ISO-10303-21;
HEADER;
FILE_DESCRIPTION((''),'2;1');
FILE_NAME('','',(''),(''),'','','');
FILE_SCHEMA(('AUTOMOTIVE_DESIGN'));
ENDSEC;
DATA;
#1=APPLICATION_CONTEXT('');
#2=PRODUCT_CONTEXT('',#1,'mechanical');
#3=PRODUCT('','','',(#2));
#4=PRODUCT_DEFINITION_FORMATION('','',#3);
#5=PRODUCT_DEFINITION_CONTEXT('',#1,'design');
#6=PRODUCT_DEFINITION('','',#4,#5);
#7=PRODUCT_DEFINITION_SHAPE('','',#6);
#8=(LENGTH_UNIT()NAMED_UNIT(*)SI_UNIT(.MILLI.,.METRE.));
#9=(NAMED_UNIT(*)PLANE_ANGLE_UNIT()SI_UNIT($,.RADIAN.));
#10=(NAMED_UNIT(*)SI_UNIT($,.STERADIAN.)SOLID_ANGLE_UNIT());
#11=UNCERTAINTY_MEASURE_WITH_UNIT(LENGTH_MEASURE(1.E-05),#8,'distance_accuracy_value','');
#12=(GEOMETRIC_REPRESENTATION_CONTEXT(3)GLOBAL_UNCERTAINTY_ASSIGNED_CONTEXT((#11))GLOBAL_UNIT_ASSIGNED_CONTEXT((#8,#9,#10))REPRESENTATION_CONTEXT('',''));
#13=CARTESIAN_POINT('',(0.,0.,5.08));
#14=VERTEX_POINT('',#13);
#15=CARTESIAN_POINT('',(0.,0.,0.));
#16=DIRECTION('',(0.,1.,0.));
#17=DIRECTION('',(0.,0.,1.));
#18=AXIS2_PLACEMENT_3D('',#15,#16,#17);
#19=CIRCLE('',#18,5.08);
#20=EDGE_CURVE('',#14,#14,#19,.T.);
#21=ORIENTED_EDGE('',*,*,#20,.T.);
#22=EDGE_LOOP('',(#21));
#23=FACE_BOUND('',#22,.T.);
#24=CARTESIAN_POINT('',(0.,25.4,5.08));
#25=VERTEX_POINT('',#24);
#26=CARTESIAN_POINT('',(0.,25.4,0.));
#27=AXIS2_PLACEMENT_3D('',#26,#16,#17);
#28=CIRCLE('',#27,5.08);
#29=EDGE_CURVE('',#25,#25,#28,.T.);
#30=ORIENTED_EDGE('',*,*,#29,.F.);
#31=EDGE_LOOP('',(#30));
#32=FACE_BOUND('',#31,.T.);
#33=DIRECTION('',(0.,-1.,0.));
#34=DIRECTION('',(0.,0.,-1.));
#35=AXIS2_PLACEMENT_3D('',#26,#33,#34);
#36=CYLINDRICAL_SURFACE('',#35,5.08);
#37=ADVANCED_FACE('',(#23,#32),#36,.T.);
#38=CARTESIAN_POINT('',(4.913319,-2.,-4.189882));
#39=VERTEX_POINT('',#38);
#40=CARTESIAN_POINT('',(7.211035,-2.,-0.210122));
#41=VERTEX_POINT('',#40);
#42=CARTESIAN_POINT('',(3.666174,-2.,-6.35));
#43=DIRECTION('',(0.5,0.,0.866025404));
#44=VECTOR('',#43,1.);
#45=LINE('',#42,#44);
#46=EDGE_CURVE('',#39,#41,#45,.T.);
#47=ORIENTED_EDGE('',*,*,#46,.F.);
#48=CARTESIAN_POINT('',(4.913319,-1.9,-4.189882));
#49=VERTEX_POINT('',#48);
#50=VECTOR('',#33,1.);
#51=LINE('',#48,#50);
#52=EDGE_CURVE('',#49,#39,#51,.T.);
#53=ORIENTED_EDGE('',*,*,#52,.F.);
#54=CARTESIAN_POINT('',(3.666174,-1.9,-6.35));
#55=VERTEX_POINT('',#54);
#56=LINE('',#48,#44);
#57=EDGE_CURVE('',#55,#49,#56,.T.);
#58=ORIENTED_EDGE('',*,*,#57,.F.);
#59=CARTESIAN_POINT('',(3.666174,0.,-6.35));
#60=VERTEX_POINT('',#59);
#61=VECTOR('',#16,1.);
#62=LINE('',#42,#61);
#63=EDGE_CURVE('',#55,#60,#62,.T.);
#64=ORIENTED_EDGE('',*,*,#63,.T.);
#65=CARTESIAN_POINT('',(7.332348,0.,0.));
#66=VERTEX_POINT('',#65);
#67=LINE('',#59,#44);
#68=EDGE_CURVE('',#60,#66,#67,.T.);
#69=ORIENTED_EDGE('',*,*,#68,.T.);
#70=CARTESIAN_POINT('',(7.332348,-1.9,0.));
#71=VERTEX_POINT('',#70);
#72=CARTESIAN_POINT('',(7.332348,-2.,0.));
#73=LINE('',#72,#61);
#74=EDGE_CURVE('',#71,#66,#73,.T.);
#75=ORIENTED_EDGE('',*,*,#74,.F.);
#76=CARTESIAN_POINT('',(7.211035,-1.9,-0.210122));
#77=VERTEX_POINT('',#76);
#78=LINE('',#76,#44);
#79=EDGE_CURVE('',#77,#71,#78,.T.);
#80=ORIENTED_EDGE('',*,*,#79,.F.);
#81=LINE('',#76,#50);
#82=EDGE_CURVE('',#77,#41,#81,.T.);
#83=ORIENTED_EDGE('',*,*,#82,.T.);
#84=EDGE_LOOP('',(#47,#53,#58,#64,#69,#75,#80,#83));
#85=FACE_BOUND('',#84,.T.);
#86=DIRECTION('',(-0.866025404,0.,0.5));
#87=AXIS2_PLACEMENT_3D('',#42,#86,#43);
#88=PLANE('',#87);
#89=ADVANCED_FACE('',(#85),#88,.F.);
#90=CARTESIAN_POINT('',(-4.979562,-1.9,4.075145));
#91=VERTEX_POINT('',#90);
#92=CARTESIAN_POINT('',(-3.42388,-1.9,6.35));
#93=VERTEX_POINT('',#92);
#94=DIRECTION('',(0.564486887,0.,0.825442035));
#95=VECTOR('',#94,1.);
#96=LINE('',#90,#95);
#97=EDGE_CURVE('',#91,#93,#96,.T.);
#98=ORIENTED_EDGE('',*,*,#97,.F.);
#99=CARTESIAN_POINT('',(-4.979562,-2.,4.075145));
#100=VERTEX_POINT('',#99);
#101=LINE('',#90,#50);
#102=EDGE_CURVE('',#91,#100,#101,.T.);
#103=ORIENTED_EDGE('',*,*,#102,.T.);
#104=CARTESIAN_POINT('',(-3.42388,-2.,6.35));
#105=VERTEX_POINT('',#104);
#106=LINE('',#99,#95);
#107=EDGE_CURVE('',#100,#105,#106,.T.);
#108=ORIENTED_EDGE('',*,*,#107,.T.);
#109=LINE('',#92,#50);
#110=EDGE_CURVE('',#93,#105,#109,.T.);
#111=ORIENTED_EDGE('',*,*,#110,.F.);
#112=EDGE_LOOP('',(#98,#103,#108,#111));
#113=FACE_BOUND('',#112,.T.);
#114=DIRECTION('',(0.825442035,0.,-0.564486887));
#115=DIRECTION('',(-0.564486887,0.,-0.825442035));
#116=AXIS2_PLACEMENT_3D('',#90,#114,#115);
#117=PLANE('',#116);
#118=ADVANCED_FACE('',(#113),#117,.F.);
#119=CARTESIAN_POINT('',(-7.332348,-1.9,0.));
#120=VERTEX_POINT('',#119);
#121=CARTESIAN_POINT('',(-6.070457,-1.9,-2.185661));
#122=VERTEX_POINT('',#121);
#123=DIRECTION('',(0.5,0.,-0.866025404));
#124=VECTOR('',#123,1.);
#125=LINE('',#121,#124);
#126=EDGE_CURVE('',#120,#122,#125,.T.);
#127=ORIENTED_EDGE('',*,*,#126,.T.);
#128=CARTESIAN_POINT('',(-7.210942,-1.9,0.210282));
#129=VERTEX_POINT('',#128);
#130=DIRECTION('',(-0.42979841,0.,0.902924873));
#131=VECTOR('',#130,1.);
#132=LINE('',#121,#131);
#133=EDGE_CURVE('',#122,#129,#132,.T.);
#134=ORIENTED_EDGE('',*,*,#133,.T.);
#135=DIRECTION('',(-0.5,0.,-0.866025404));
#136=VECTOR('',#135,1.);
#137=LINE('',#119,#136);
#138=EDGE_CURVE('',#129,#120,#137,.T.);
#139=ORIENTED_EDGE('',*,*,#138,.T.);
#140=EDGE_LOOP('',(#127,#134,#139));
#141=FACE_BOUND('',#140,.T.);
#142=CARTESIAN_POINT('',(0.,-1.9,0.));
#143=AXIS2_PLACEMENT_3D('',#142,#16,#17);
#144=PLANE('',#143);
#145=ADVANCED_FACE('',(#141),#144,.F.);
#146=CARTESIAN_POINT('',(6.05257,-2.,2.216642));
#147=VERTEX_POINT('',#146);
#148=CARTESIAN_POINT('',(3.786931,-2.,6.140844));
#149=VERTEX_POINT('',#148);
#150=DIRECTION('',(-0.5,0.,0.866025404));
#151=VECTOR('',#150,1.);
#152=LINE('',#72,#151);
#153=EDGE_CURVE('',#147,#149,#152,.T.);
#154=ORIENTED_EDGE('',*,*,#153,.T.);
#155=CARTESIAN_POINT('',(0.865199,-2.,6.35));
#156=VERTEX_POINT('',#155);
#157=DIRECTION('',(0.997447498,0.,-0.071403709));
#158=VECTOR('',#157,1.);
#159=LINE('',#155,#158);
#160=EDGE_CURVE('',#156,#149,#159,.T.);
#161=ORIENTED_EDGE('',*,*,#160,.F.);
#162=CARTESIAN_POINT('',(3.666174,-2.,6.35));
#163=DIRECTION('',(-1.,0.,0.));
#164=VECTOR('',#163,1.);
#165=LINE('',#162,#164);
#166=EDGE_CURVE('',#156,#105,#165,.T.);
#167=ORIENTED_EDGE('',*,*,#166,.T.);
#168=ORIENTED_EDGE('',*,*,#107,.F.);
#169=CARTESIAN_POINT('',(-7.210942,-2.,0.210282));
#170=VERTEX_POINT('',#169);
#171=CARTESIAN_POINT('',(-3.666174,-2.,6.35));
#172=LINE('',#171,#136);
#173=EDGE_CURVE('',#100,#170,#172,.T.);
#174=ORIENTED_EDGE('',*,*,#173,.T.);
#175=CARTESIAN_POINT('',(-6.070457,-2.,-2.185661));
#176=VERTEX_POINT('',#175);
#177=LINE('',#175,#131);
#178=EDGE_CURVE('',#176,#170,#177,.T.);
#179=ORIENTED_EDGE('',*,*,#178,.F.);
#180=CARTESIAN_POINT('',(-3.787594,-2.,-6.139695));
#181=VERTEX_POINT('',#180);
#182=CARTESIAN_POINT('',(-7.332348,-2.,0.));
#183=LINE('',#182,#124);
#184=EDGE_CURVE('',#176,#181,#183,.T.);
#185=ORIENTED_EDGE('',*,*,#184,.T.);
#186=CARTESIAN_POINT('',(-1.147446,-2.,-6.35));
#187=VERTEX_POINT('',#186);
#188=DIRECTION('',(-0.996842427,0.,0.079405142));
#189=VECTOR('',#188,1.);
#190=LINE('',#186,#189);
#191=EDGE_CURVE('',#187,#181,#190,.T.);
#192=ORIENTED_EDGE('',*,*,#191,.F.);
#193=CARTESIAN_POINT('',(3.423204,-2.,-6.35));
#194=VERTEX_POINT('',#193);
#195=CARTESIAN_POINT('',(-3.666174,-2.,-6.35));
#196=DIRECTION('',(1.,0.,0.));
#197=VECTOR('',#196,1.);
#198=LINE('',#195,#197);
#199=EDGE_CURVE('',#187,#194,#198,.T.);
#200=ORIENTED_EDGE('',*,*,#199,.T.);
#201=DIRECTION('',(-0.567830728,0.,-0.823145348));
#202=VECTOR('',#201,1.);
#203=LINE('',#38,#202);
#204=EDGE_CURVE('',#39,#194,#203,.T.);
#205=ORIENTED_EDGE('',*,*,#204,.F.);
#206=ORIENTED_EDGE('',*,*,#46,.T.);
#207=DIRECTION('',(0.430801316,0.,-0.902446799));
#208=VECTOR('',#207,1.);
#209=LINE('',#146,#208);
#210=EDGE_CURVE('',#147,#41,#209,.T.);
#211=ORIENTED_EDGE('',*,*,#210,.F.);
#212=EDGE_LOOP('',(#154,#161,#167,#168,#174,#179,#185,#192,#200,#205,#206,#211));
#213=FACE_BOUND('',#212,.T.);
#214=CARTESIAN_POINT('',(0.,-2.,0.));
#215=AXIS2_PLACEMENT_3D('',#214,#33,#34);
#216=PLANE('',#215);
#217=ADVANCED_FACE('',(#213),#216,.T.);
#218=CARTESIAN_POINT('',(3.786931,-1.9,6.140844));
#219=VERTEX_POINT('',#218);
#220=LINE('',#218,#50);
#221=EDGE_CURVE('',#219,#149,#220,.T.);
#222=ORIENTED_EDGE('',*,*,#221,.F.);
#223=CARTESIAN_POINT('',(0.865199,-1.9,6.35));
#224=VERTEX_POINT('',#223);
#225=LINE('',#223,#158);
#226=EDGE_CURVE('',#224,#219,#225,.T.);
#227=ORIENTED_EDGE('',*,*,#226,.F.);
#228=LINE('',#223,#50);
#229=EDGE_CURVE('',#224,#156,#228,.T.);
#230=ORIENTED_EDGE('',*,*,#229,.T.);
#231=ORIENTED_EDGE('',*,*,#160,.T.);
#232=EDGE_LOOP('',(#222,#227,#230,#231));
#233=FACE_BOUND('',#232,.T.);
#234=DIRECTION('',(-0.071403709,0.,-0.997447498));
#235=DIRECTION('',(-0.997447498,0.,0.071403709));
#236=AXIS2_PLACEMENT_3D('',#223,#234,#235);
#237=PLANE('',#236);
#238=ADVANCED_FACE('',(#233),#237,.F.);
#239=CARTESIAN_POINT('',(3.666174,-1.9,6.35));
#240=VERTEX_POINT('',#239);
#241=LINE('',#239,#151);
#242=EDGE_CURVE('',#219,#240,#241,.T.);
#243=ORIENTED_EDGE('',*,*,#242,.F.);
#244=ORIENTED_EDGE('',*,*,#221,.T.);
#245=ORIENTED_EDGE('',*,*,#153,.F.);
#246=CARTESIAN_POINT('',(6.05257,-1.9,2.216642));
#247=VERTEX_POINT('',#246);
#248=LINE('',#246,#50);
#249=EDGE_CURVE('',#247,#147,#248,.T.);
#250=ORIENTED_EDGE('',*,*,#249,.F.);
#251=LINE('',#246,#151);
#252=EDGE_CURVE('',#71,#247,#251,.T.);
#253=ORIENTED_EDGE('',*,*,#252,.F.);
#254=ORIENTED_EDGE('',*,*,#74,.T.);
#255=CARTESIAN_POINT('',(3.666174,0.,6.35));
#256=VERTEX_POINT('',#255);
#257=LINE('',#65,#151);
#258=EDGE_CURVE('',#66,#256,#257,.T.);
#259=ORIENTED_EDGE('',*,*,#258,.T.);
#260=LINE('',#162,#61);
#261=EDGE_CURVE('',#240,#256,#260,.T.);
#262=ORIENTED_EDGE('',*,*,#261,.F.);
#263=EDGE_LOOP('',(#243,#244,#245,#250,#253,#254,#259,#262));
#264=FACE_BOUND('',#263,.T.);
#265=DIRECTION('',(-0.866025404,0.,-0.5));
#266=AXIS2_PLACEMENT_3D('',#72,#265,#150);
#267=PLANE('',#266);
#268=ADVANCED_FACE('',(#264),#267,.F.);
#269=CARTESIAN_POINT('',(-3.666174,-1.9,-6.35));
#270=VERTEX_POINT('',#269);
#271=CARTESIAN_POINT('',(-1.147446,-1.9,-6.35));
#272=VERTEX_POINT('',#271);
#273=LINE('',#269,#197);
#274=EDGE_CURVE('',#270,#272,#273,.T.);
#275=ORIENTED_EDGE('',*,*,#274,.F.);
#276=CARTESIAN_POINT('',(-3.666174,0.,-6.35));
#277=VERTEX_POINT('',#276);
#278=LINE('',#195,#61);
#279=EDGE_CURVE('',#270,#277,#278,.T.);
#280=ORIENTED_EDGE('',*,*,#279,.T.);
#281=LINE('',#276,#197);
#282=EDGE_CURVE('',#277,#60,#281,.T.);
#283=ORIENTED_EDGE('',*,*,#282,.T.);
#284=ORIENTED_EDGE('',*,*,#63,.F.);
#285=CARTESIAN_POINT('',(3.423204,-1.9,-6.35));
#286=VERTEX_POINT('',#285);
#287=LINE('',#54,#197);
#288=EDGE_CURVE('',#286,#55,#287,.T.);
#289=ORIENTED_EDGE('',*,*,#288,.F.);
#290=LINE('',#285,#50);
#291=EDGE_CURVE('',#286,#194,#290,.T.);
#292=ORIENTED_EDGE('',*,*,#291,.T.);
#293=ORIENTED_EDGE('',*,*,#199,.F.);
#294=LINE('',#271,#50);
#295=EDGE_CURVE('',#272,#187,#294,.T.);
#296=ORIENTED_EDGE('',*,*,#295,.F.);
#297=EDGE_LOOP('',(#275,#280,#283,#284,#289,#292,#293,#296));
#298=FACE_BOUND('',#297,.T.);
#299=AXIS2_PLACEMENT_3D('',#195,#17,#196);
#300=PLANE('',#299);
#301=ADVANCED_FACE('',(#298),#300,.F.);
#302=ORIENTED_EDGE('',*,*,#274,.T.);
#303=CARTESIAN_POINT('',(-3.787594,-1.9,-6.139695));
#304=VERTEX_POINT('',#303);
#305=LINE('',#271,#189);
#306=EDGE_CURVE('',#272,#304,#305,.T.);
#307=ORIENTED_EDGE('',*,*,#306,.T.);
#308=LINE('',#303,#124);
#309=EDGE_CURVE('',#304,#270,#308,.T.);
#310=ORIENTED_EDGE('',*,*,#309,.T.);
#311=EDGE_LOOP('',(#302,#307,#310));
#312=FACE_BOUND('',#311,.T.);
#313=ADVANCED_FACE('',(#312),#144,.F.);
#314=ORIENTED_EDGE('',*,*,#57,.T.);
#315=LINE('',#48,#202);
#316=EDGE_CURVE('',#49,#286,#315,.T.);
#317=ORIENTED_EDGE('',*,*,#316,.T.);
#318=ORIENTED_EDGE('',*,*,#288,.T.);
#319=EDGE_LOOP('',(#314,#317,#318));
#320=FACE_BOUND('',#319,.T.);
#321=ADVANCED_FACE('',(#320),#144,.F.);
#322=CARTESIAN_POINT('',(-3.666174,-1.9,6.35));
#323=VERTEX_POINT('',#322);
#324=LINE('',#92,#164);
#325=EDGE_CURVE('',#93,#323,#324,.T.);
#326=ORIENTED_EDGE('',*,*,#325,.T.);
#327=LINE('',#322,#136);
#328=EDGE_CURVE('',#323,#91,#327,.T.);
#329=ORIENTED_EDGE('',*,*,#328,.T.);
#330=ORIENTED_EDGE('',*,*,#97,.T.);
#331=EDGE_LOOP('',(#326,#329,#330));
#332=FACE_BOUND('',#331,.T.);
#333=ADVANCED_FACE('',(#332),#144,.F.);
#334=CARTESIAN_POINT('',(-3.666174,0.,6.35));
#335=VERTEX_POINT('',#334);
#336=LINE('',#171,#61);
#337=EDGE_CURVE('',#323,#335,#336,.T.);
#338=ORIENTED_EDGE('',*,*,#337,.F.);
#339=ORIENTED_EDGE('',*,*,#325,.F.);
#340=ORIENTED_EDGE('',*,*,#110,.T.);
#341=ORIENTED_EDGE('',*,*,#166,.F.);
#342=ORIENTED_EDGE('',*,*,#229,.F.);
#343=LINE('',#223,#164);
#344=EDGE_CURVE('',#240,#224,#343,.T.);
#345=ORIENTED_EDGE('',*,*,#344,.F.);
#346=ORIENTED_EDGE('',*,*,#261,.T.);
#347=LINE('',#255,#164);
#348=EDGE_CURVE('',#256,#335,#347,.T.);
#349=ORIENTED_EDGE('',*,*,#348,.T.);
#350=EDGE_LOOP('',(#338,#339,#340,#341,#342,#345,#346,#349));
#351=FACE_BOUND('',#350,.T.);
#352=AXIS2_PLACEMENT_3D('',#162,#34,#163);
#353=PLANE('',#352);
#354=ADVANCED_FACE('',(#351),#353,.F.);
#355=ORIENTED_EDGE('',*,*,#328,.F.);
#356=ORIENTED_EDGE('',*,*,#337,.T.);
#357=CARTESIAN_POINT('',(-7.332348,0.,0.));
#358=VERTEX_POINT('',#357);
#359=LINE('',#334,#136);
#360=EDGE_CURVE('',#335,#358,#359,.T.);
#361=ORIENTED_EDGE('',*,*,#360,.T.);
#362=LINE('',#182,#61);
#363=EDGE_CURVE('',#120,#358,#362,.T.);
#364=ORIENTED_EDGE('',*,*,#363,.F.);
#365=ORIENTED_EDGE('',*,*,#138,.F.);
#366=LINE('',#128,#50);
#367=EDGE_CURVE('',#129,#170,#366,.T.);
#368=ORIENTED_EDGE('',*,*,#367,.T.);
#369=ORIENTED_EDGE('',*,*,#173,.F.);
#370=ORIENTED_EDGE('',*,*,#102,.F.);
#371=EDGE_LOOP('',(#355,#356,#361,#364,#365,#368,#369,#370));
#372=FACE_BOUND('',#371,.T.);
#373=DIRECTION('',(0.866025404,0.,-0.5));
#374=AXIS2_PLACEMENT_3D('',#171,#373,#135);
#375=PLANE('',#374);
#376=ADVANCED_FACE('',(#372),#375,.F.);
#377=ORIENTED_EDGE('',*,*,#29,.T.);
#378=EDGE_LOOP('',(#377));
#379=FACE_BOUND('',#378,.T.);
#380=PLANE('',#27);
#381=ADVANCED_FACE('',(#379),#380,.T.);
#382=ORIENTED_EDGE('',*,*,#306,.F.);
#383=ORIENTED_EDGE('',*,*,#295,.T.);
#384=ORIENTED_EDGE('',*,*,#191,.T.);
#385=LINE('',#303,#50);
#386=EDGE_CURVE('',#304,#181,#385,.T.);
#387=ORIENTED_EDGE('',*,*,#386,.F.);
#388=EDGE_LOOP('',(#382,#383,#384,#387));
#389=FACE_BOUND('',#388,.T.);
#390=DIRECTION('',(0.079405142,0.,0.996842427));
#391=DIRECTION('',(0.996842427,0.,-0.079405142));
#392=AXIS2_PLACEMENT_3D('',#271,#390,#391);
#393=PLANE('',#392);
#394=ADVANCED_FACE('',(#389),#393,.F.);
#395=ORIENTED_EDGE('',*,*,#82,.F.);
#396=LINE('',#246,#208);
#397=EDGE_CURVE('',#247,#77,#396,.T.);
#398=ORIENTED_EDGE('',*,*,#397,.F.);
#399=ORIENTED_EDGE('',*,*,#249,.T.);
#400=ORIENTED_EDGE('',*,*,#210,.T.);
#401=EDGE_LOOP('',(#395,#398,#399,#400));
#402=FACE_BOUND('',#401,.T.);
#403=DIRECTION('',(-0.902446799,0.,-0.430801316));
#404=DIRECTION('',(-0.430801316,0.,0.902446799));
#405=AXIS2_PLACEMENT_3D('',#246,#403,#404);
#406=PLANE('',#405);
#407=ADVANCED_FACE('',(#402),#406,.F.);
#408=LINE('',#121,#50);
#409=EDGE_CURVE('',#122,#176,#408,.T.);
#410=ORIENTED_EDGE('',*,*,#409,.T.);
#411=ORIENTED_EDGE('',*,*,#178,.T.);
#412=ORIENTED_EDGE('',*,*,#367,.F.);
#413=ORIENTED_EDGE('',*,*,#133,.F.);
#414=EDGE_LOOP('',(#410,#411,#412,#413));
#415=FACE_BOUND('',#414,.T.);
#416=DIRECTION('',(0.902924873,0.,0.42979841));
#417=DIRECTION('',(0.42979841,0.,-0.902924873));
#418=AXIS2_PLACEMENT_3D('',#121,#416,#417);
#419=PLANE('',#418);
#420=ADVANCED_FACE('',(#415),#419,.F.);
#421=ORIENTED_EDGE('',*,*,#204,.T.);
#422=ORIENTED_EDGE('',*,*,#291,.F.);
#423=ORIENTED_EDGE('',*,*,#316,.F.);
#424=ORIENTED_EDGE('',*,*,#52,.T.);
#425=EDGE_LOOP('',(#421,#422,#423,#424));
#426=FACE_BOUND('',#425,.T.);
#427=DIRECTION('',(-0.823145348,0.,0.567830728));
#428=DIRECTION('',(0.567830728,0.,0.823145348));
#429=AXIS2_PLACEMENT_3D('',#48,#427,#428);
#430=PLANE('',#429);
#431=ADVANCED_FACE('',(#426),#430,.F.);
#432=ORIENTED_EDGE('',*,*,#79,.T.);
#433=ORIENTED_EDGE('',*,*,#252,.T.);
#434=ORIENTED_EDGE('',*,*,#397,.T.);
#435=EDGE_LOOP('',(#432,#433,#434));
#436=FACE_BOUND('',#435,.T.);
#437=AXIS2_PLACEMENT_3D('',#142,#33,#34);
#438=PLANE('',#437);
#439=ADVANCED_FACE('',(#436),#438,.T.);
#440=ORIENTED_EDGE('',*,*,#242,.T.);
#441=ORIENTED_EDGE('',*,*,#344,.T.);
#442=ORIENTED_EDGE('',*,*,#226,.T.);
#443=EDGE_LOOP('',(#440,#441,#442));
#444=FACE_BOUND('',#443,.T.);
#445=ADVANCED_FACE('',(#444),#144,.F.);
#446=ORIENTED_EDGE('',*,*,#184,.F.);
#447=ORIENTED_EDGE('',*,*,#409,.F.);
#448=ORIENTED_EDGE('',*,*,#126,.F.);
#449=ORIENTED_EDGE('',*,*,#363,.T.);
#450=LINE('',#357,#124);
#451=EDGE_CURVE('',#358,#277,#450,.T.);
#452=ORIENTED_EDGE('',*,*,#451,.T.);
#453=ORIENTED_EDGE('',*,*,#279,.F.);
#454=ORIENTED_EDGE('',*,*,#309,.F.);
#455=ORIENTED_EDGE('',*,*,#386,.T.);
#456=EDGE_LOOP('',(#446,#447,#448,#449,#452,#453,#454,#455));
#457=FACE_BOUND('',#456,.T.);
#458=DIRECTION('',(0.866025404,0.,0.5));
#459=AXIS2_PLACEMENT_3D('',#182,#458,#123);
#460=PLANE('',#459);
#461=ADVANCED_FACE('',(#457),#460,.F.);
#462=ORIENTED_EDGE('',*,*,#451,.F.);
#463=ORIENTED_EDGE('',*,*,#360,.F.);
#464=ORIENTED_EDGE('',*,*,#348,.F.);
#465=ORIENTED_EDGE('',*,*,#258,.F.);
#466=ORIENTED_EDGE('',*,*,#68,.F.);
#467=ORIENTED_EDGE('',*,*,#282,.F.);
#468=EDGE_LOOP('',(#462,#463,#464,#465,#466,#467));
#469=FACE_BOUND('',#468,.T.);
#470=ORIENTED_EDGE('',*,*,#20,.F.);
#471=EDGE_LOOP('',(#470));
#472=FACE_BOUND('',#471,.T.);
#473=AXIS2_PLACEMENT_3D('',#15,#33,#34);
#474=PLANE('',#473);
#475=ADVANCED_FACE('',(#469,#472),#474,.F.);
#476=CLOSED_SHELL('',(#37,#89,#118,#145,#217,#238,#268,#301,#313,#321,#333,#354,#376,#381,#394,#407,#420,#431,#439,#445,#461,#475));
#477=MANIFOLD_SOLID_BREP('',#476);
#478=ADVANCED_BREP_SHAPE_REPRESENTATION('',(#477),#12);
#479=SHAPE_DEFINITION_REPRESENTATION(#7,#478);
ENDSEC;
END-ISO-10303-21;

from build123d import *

# Parameters (mm, degrees)
SKETCH1_R           = 5.08
BOSS_EXTRUDE1_DEPTH = 25.4
BOSS_EXTRUDE2_DEPTH = 2
CUT_EXTRUDE1_DEPTH  = 0.1


with BuildPart() as part:
    # Sketch1 → Boss-Extrude1 (new body)
    with BuildSketch(Plane(origin=(0, 0, 0), x_dir=(1, 0, 0), z_dir=(0, 1, 0))):
        Circle(SKETCH1_R)
    extrude(amount=BOSS_EXTRUDE1_DEPTH)

    # Sketch2 → Boss-Extrude2 (add)
    with BuildSketch(Plane.XZ):
        Polygon((-7.332348419, 0), (-3.666174209, -6.35), (3.666174209, -6.35), (7.332348419, 0), (3.666174209, 6.35), (-3.666174209, 6.35), align=None)
    extrude(amount=BOSS_EXTRUDE2_DEPTH)

    # Sketch3 → Cut-Extrude1 (cut)
    with BuildSketch(Plane.XZ.offset(2)):
        Polygon((-4.979562137, 4.075145379), (-3.423879788, 6.35), (-3.666174209, 6.35), align=None)
        Polygon((0.86519926, 6.35), (3.786930674, 6.140843669), (3.666174209, 6.35), align=None)
        Polygon((6.052569822, 2.216641552), (7.211034583, -0.210121728), (7.332348419, 0), align=None)
        Polygon((4.91331885, -4.189882119), (3.423203754, -6.35), (3.666174209, -6.35), align=None)
        Polygon((-1.147445647, -6.35), (-3.787594099, -6.139694582), (-3.666174209, -6.35), align=None)
        Polygon((-6.07045658, -2.185660778), (-7.210941867, 0.210282315), (-7.332348419, 0), align=None)
    extrude(amount=-CUT_EXTRUDE1_DEPTH, mode=Mode.SUBTRACT)


solid = part.part
